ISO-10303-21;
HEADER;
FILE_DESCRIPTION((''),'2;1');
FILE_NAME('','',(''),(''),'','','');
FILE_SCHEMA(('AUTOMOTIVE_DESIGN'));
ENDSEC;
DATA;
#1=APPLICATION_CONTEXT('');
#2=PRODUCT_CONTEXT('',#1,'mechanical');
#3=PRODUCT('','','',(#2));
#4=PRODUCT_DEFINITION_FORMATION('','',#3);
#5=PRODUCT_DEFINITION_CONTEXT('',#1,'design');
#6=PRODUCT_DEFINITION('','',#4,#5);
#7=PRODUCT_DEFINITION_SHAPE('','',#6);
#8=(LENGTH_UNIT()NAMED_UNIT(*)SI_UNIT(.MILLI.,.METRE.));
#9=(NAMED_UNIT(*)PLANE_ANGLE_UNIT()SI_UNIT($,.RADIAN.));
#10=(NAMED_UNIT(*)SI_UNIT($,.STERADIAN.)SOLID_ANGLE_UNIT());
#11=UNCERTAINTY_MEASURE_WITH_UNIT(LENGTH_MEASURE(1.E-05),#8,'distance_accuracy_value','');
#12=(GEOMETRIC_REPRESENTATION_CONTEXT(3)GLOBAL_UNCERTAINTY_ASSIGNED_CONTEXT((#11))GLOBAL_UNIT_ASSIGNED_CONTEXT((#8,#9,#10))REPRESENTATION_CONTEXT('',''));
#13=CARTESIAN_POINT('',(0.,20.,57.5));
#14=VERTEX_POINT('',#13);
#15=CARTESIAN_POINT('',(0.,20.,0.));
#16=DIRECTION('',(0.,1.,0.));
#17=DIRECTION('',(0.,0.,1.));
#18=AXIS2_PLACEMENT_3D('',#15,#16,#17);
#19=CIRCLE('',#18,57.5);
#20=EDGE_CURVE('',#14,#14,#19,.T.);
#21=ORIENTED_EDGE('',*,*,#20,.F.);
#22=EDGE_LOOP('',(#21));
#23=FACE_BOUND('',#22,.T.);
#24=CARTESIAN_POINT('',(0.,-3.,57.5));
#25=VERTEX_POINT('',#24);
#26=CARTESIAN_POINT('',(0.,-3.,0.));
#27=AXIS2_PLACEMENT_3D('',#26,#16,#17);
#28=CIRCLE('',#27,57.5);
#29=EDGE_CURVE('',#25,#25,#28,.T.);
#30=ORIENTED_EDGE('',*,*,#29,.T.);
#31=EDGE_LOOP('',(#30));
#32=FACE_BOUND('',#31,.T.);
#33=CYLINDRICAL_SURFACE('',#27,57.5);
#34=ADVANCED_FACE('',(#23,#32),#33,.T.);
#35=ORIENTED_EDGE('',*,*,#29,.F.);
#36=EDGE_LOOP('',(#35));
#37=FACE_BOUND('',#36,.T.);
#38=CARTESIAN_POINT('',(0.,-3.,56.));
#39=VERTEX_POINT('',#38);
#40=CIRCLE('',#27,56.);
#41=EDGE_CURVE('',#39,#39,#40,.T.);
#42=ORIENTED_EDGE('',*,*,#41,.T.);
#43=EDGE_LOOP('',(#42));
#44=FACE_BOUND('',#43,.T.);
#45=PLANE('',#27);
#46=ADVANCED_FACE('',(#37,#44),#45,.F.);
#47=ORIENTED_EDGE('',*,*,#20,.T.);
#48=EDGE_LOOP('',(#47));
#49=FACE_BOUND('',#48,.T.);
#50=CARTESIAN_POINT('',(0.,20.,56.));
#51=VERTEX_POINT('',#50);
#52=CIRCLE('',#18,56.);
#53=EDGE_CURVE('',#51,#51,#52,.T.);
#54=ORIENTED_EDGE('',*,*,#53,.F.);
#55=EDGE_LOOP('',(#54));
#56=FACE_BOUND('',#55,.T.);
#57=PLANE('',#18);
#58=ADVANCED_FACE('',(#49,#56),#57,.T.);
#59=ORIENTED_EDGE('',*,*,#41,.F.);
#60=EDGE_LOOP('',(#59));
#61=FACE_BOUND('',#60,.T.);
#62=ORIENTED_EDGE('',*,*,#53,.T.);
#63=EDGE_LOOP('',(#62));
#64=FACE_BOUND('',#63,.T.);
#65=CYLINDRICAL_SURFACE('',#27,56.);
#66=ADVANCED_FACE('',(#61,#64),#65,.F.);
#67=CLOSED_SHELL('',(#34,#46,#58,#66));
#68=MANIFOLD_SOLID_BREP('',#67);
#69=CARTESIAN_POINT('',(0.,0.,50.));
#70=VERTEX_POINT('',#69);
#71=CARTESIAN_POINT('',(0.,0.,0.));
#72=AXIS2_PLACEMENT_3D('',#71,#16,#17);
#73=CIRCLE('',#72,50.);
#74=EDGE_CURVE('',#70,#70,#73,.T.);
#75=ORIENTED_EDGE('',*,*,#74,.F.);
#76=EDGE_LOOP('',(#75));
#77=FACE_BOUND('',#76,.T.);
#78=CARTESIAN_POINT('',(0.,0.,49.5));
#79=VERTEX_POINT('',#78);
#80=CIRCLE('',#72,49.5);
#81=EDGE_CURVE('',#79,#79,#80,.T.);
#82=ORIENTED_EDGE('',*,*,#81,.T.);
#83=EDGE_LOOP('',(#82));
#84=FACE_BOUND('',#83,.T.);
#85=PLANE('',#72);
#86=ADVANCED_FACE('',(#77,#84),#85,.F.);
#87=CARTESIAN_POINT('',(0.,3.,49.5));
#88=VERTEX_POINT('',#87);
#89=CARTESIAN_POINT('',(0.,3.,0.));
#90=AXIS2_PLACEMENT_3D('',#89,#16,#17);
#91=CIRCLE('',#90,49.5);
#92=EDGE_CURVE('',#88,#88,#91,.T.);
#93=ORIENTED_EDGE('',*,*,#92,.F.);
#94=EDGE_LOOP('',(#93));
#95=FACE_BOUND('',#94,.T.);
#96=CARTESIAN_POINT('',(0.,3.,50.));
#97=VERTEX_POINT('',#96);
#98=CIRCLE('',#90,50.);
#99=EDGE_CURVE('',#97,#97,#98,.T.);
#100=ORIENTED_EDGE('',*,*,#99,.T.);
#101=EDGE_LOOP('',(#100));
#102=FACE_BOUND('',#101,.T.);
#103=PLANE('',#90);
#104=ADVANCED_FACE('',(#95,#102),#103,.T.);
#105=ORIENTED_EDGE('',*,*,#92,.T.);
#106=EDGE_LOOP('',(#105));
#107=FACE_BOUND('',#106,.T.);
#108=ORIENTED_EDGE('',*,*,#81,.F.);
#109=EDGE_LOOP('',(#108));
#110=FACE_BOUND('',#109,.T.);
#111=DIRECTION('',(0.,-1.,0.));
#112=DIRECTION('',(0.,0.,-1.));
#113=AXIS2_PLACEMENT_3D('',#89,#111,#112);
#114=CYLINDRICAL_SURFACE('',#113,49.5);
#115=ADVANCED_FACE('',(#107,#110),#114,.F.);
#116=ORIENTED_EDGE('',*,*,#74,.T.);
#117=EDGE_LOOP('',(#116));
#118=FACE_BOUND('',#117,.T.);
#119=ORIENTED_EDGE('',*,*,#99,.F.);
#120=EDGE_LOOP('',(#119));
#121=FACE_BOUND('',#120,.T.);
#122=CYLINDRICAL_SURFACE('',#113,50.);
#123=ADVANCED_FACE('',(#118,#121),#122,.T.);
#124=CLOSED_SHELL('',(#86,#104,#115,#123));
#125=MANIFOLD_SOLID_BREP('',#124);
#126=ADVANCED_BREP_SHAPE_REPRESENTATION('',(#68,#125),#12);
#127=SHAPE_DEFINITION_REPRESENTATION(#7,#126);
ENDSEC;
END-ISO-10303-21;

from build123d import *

# Parameters (mm, degrees)
SKETCH27_R                = 50
SKETCH27_R_2              = 49.5
BOSS_EXTRUDE10_DEPTH      = 3
BOSS_EXTRUDE11_DEPTH      = 20
BOSS_EXTRUDE11_DEPTH_BACK = 3
SKETCH28_R                = 57.5
SKETCH28_R_2              = 56


with BuildPart() as part:
    # Sketch27 → Boss-Extrude10 (new body)
    with BuildSketch(Plane(origin=(0, 0, 0), x_dir=(1, 0, 0), z_dir=(0, 1, 0))):
        Circle(SKETCH27_R)
        Circle(SKETCH27_R_2, mode=Mode.SUBTRACT)
    extrude(amount=BOSS_EXTRUDE10_DEPTH)


with BuildPart() as body_2:
    # Sketch28 → Boss-Extrude11 (new, two sides: drawn at the far end of the back side and taken through both)
    with BuildSketch(Plane(origin=(0, 0, 0), x_dir=(1, 0, 0), z_dir=(0, 1, 0)).offset(-BOSS_EXTRUDE11_DEPTH_BACK)):
        Circle(SKETCH28_R)
        Circle(SKETCH28_R_2, mode=Mode.SUBTRACT)
    extrude(amount=BOSS_EXTRUDE11_DEPTH + BOSS_EXTRUDE11_DEPTH_BACK)


solid = Compound([part.part, body_2.part])
